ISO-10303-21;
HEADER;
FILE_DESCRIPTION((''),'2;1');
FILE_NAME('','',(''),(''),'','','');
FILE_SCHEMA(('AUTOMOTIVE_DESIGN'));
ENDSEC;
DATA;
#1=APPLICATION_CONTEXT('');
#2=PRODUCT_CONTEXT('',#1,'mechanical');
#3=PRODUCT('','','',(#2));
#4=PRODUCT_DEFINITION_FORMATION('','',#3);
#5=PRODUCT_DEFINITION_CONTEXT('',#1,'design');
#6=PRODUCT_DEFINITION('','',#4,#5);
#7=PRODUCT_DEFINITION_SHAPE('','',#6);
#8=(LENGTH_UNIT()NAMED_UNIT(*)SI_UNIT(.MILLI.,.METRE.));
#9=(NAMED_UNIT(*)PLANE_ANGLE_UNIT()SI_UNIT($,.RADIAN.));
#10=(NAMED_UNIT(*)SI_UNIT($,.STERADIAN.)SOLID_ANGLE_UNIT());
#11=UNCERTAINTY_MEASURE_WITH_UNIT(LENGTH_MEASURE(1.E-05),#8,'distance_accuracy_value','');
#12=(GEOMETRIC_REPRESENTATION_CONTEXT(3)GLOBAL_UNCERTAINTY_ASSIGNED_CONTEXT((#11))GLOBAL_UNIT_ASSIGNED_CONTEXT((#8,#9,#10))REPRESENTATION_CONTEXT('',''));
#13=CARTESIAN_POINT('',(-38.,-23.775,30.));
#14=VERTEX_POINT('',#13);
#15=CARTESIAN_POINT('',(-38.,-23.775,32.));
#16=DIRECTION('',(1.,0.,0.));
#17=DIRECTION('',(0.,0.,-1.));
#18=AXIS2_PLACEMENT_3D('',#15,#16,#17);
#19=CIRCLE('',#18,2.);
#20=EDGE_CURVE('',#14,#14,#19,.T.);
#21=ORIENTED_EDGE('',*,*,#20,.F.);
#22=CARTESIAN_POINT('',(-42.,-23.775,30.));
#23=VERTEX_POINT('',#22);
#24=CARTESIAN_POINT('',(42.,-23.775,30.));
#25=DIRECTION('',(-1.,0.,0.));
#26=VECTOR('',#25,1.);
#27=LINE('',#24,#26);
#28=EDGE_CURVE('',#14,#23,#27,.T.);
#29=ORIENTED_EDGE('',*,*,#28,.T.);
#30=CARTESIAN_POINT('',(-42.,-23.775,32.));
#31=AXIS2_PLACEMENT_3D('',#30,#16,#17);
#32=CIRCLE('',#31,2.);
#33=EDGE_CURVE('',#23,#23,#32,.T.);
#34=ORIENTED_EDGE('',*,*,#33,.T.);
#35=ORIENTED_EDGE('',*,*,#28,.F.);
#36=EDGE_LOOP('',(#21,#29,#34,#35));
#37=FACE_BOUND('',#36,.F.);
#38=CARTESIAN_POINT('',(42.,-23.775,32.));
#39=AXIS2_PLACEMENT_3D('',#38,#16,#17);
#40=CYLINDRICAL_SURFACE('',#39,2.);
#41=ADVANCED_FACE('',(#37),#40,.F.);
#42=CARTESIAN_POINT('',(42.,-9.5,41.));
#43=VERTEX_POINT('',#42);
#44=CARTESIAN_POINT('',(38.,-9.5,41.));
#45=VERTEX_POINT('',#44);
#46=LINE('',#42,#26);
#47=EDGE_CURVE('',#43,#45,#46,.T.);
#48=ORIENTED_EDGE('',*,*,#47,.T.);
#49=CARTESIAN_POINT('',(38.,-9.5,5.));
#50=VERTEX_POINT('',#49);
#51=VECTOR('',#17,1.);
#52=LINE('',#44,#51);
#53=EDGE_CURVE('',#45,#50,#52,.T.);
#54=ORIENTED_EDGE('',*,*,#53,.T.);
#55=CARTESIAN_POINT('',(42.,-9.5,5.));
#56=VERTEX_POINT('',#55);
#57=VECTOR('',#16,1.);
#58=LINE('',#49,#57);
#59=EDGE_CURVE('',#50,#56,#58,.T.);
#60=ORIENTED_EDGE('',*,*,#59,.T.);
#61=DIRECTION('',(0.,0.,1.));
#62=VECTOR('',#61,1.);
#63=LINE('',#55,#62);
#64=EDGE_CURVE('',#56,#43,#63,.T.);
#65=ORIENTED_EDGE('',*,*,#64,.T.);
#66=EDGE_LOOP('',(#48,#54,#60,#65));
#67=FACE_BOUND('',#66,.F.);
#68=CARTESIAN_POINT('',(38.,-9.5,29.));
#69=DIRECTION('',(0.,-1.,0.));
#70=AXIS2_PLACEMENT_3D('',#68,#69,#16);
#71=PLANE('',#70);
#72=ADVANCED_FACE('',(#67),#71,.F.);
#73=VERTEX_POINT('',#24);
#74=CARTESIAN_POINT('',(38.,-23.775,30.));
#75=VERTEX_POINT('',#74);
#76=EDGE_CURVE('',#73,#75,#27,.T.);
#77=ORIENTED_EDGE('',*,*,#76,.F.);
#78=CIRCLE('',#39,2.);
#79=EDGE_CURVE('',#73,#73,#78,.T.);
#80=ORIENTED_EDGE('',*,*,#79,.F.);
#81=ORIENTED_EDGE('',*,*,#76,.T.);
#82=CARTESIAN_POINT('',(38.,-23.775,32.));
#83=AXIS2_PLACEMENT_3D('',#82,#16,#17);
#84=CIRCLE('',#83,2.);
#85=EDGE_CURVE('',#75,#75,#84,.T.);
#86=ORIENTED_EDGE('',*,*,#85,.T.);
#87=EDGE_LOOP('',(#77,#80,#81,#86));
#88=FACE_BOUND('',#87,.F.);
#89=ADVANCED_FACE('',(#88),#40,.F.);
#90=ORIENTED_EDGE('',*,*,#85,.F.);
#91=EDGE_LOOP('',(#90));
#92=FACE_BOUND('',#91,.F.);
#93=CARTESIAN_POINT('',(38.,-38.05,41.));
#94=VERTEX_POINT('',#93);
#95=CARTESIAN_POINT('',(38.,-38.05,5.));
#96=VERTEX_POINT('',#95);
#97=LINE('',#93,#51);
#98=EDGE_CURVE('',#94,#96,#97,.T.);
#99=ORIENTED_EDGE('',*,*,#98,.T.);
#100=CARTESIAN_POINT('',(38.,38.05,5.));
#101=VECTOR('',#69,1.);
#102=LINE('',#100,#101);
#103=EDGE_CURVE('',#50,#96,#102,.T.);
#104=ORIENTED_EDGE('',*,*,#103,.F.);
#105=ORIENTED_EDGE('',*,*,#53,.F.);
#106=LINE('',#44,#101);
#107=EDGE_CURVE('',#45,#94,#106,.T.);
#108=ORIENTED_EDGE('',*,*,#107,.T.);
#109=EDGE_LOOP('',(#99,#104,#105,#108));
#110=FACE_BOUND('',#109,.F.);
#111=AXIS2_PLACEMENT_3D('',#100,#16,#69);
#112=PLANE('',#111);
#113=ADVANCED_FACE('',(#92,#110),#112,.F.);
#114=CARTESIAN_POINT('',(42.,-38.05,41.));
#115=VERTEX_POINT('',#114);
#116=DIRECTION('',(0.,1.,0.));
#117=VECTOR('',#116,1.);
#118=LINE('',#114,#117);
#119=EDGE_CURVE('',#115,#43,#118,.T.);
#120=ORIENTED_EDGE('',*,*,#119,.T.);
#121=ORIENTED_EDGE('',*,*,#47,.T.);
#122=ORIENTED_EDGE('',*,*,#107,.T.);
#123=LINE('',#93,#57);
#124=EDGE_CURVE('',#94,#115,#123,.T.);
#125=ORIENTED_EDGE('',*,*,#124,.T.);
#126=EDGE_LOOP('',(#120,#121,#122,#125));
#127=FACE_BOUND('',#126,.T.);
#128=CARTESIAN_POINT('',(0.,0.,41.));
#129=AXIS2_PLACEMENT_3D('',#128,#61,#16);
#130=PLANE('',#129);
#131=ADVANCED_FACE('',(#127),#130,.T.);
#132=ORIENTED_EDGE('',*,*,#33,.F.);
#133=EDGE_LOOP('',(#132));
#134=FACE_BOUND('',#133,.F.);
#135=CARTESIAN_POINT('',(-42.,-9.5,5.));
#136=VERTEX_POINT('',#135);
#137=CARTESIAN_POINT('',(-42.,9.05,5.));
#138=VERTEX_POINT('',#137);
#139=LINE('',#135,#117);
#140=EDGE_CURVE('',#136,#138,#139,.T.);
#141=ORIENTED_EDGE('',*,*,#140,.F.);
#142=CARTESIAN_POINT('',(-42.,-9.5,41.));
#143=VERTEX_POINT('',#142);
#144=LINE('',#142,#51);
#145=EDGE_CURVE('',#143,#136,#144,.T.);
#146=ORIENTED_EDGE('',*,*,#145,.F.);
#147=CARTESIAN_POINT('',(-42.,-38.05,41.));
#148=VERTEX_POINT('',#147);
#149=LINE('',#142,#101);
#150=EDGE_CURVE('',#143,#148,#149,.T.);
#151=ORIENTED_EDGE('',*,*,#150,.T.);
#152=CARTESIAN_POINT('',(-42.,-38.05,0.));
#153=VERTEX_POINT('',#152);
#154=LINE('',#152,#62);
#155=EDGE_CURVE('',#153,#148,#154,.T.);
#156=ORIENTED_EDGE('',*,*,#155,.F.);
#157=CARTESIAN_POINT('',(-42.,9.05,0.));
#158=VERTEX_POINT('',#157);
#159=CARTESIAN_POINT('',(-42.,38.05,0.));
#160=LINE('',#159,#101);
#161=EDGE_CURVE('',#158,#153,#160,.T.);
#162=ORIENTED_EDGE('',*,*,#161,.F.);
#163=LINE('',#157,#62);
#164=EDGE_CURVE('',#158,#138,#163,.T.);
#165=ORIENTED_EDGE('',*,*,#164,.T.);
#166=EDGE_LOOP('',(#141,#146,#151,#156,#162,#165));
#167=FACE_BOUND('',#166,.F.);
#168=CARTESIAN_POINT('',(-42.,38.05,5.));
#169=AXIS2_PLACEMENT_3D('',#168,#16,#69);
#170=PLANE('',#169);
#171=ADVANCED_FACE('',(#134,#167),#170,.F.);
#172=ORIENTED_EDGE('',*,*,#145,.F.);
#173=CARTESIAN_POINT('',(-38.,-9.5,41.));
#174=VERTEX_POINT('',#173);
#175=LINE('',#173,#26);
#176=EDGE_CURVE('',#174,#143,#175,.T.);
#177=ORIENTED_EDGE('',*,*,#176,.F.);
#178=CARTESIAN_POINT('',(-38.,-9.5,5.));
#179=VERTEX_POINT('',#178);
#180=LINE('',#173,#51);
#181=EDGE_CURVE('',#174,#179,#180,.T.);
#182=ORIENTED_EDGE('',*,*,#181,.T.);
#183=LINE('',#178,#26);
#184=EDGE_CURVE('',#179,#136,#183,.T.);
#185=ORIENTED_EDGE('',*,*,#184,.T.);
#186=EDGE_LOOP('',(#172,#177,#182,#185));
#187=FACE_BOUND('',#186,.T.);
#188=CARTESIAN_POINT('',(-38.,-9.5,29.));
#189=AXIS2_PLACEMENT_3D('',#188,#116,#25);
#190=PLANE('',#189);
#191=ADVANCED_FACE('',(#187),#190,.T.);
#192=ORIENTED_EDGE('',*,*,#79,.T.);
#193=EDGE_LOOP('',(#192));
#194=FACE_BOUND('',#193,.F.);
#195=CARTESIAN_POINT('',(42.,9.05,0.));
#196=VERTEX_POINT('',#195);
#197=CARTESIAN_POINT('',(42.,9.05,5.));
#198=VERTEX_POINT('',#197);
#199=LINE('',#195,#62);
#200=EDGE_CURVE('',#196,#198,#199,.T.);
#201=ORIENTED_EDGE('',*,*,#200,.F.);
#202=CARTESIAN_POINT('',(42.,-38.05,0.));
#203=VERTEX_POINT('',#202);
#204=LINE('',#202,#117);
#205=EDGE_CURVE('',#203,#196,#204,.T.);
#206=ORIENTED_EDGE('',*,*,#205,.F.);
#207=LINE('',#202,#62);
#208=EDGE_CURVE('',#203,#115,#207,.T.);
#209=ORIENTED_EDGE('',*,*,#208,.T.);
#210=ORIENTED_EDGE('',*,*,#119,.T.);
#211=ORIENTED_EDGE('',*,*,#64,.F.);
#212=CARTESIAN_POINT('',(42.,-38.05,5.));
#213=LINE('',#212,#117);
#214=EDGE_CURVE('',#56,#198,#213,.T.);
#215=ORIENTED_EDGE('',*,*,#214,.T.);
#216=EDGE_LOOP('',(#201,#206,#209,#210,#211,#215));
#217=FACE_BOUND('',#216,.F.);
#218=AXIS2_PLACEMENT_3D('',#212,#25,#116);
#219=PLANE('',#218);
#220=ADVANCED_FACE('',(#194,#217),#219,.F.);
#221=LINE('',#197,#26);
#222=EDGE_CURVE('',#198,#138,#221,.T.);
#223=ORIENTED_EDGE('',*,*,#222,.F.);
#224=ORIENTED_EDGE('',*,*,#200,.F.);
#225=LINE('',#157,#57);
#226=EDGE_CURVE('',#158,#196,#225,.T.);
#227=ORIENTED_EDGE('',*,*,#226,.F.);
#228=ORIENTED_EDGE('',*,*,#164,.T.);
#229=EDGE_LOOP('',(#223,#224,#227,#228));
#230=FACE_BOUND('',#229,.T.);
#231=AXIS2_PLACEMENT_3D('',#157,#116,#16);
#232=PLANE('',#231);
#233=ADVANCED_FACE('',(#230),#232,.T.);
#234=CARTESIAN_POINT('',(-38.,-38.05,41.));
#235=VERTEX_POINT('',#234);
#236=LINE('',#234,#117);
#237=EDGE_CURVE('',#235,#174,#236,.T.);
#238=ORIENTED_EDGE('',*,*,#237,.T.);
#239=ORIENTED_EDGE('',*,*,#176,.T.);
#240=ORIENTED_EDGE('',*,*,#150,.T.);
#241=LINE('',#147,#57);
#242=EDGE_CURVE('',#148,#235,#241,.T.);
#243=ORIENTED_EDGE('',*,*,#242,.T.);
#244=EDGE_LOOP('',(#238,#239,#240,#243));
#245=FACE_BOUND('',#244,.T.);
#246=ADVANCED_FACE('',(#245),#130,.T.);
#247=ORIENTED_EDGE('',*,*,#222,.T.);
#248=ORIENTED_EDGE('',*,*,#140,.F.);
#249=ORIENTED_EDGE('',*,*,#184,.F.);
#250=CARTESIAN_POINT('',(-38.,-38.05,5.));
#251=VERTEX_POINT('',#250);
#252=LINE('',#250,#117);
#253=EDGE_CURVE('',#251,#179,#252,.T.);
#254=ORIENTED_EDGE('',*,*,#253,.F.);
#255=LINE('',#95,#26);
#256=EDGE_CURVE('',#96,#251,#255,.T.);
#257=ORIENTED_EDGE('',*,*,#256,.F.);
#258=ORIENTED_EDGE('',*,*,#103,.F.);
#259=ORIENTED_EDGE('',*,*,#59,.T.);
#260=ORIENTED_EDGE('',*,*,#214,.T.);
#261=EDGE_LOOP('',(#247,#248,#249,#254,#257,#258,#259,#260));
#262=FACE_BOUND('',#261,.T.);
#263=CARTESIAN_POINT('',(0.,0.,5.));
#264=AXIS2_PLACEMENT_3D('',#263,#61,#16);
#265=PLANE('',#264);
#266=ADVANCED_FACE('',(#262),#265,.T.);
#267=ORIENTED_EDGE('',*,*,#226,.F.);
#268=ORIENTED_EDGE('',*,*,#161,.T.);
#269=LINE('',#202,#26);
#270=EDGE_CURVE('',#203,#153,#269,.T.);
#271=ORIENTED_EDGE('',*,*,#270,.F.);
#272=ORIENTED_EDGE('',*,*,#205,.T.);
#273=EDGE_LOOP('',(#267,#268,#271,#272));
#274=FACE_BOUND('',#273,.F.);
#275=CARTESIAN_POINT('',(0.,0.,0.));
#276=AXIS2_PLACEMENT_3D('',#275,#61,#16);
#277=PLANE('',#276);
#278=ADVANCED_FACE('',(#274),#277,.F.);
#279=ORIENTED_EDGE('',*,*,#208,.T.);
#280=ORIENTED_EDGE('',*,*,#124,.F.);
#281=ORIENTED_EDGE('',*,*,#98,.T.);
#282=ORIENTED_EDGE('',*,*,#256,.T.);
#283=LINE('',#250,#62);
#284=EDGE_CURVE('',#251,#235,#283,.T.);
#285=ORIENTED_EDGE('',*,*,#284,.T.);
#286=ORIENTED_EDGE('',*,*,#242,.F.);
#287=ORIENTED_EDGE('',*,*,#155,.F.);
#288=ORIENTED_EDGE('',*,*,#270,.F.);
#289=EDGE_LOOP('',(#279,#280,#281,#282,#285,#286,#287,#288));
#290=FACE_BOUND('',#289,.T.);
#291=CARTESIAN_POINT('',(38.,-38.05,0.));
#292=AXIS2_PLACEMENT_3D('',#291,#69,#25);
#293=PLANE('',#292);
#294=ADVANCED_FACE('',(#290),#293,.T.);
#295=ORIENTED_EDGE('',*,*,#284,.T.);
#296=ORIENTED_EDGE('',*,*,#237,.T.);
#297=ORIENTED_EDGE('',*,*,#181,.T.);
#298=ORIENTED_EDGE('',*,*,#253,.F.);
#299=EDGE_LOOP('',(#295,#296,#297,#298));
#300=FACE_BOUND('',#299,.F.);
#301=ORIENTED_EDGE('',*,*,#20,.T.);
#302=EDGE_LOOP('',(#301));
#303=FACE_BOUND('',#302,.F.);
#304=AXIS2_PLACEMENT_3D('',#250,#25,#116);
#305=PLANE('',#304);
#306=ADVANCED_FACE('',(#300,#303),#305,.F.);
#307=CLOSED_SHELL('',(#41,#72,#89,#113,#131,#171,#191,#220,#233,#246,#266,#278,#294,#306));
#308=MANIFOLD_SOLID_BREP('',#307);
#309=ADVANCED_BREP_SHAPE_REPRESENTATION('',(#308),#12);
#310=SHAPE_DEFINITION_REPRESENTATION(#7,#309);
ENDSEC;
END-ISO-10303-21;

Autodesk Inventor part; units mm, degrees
ref_plane "YZ Plane" through (0, 0, 0) normal (1, 0, 0) x (0, 1, 0)
ref_plane "XZ Plane" through (0, 0, 0) normal (0, 1, 0) x (-1, 0, 0)
ref_plane "XY Plane" through (0, 0, 0) normal (0, 0, 1) x (1, 0, 0)
sketch "Эскиз1" plane through (0, 0, 0) normal (0, 0, 1) x (1, 0, 0)
  line L0 (-38, 52.38) -> (38, 52.38) construction
  line L1 (38, 52.38) -> (38, -52.38) construction
  line L2 (38, -52.38) -> (-38, -52.38) construction
  line L3 (-38, -52.38) -> (-38, 52.38) construction
  line L4 (-26.6205, -33.05) -> (26.6205, -33.05) construction
  line L5 (26.6205, -33.05) -> (26.6205, 33.05) construction
  line L6 (26.6205, 33.05) -> (-26.6205, 33.05) construction
  line L7 (-26.6205, 33.05) -> (-26.6205, -33.05) construction
  line L8 (0, 33.05) -> (0, 38.05) construction
  line L9 (0, -33.05) -> (0, -38.05) construction
  line L10 (-38, 38.05) -> (38, 38.05)
  line L11 (38, 38.05) -> (38, -38.05)
  line L12 (38, -38.05) -> (-38, -38.05)
  line L13 (-38, -38.05) -> (-38, 38.05)
  dimension "d0" = 76
  dimension "d1" = 104.76
  dimension "d2" = 53.241
  dimension "d3" = 66.1
  dimension "d4" = 5
  dimension "d5" = 5
extrude "Выдавливание1" add sketch "Эскиз1" along normal blind 5
sketch "Эскиз2" plane through (0, 0, 5) normal (0, 0, 1) x (1, 0, 0)
  line L0 (38, 38.05) -> (38, -38.05) projected
  line L1 (-38, -38.05) -> (-38, 38.05) projected
  line L2 (-38, 38.05) -> (-38, -38.05) projected
  line L3 (-38, -38.05) -> (-42, -38.05)
  line L4 (38, 38.05) -> (42, 38.05)
  line L5 (42, -38.05) -> (42, 38.05)
  line L6 (-42, 38.05) -> (-42, -38.05)
  line L7 (-38, -38.05) -> (-38, 38.05)
  line L8 (38, 38.05) -> (-38, 38.05) projected
  line L9 (38, 38.05) -> (38, -38.05)
  line L10 (42, 38.05) -> (38, 38.05)
  line L11 (-38, 38.05) -> (-42, 38.05)
  line L12 (-42, -38.05) -> (-38, -38.05)
  line L13 (38, -38.05) -> (42, -38.05)
  point P0 (0, 0)
  dimension "d8" = 4
  dimension "d9" = 4
extrude "Выдавливание2" add sketch "Эскиз2" along normal blind 24 and the other way blind 5
sketch "Эскиз3" plane through (0, 0, 29) normal (0, 0, 1) x (1, 0, 0)
  line L0 (38, 38.05) -> (38, -38.05) projected
  line L1 (38, -38.05) -> (42, -38.05) projected
  line L2 (42, -38.05) -> (42, 38.05) projected
  line L3 (42, 38.05) -> (38, 38.05) projected
  line L4 (42, 9.5) -> (38, 9.5)
  line L5 (38, 9.5) -> (38, -9.5)
  line L6 (38, -9.5) -> (42, -9.5)
  line L7 (42, -9.5) -> (42, 9.5)
  line L8 (42, 9.5) -> (38, -9.5) construction
  line L9 (38, 9.5) -> (42, -9.5) construction
  line L10 (0, 0) -> (0, -84) construction
  line L11 (-42, 9.5) -> (-38, 9.5)
  line L12 (-38, -9.5) -> (-42, -9.5)
  line L13 (-38, 9.5) -> (-38, -9.5) construction
  line L14 (-38, 38.05) -> (-38, -38.05) construction
  line L15 (-42, 9.5) -> (-42, -9.5) construction
  line L16 (-42, 38.05) -> (-42, -38.05) construction
  line L17 (-38, 9.5) -> (-38, -9.5)
  line L18 (-42, -9.5) -> (-42, 9.5)
  point P0 (40, 0)
  dimension "d14" = 4
  dimension "d15" = 19
extrude "Выдавливание3" cut sketch "Эскиз3" against normal up to surface (24 mm away) contours L4 L2 L6 L0 | L11 L17 L12 L18
sketch "Эскиз4" plane through (-42, 38.05, 0) normal (0, 1, 0) x (1, 0, 0)
  line L0 (0, 0) -> (84, 0) projected
  line L1 (0, 0) -> (0, -29) projected
  line L2 (4, -29) -> (0, -29) projected
  line L3 (4, -29) -> (4, -5) projected
  line L4 (80, -5) -> (4, -5) projected
  line L5 (80, -29) -> (80, -5) projected
  line L6 (84, -29) -> (80, -29) projected
  line L7 (84, 0) -> (84, -29) projected
  point P0 (42, 0)
extrude "Выдавливание4" cut sketch "Эскиз4" against normal blind 29
sketch "Эскиз5" plane through (0, 0, 29) normal (0, 0, 1) x (1, 0, 0)
  line L0 (-38, -9.5) -> (-42, -9.5) projected
  line L1 (-42, -9.5) -> (-42, -38.05) projected
  line L2 (-42, -38.05) -> (-38, -38.05) projected
  line L3 (-38, -38.05) -> (-38, -9.5) projected
  line L4 (42, -9.5) -> (38, -9.5) projected
  line L5 (38, -9.5) -> (38, -38.05) projected
  line L6 (38, -38.05) -> (42, -38.05) projected
  line L7 (42, -38.05) -> (42, -9.5) projected
  point P0 (0, 0)
extrude "Выдавливание5" add sketch "Эскиз5" along normal blind 12
sketch "Эскиз6" plane through (42, -9.5, 5) normal (1, 0, 0) x (0, 0, -1)
  line L0 (5, 18.55) -> (0, 18.55) projected
  line L1 (0, 18.55) -> (0, 0) projected
  line L2 (0, 0) -> (-36, 0) projected
  line L3 (-36, -28.55) -> (-36, 0) projected
  line L4 (5, -28.55) -> (-36, -28.55) projected
  line L5 (5, 18.55) -> (5, -28.55) projected
  line L6 (-36, -28.55) -> (-36, 0) construction
  line L7 (-36, -14.275) -> (-27, -14.275) construction
  circle A0 centre (-27, -14.275) radius 2
  point P0 (5, 9.5)
  dimension "d22" = 9
  dimension "d23" = 4
extrude "Выдавливание6" cut sketch "Эскиз6" against normal up to surface (84 mm away) contours A0
properties part number "Ard for BR"
